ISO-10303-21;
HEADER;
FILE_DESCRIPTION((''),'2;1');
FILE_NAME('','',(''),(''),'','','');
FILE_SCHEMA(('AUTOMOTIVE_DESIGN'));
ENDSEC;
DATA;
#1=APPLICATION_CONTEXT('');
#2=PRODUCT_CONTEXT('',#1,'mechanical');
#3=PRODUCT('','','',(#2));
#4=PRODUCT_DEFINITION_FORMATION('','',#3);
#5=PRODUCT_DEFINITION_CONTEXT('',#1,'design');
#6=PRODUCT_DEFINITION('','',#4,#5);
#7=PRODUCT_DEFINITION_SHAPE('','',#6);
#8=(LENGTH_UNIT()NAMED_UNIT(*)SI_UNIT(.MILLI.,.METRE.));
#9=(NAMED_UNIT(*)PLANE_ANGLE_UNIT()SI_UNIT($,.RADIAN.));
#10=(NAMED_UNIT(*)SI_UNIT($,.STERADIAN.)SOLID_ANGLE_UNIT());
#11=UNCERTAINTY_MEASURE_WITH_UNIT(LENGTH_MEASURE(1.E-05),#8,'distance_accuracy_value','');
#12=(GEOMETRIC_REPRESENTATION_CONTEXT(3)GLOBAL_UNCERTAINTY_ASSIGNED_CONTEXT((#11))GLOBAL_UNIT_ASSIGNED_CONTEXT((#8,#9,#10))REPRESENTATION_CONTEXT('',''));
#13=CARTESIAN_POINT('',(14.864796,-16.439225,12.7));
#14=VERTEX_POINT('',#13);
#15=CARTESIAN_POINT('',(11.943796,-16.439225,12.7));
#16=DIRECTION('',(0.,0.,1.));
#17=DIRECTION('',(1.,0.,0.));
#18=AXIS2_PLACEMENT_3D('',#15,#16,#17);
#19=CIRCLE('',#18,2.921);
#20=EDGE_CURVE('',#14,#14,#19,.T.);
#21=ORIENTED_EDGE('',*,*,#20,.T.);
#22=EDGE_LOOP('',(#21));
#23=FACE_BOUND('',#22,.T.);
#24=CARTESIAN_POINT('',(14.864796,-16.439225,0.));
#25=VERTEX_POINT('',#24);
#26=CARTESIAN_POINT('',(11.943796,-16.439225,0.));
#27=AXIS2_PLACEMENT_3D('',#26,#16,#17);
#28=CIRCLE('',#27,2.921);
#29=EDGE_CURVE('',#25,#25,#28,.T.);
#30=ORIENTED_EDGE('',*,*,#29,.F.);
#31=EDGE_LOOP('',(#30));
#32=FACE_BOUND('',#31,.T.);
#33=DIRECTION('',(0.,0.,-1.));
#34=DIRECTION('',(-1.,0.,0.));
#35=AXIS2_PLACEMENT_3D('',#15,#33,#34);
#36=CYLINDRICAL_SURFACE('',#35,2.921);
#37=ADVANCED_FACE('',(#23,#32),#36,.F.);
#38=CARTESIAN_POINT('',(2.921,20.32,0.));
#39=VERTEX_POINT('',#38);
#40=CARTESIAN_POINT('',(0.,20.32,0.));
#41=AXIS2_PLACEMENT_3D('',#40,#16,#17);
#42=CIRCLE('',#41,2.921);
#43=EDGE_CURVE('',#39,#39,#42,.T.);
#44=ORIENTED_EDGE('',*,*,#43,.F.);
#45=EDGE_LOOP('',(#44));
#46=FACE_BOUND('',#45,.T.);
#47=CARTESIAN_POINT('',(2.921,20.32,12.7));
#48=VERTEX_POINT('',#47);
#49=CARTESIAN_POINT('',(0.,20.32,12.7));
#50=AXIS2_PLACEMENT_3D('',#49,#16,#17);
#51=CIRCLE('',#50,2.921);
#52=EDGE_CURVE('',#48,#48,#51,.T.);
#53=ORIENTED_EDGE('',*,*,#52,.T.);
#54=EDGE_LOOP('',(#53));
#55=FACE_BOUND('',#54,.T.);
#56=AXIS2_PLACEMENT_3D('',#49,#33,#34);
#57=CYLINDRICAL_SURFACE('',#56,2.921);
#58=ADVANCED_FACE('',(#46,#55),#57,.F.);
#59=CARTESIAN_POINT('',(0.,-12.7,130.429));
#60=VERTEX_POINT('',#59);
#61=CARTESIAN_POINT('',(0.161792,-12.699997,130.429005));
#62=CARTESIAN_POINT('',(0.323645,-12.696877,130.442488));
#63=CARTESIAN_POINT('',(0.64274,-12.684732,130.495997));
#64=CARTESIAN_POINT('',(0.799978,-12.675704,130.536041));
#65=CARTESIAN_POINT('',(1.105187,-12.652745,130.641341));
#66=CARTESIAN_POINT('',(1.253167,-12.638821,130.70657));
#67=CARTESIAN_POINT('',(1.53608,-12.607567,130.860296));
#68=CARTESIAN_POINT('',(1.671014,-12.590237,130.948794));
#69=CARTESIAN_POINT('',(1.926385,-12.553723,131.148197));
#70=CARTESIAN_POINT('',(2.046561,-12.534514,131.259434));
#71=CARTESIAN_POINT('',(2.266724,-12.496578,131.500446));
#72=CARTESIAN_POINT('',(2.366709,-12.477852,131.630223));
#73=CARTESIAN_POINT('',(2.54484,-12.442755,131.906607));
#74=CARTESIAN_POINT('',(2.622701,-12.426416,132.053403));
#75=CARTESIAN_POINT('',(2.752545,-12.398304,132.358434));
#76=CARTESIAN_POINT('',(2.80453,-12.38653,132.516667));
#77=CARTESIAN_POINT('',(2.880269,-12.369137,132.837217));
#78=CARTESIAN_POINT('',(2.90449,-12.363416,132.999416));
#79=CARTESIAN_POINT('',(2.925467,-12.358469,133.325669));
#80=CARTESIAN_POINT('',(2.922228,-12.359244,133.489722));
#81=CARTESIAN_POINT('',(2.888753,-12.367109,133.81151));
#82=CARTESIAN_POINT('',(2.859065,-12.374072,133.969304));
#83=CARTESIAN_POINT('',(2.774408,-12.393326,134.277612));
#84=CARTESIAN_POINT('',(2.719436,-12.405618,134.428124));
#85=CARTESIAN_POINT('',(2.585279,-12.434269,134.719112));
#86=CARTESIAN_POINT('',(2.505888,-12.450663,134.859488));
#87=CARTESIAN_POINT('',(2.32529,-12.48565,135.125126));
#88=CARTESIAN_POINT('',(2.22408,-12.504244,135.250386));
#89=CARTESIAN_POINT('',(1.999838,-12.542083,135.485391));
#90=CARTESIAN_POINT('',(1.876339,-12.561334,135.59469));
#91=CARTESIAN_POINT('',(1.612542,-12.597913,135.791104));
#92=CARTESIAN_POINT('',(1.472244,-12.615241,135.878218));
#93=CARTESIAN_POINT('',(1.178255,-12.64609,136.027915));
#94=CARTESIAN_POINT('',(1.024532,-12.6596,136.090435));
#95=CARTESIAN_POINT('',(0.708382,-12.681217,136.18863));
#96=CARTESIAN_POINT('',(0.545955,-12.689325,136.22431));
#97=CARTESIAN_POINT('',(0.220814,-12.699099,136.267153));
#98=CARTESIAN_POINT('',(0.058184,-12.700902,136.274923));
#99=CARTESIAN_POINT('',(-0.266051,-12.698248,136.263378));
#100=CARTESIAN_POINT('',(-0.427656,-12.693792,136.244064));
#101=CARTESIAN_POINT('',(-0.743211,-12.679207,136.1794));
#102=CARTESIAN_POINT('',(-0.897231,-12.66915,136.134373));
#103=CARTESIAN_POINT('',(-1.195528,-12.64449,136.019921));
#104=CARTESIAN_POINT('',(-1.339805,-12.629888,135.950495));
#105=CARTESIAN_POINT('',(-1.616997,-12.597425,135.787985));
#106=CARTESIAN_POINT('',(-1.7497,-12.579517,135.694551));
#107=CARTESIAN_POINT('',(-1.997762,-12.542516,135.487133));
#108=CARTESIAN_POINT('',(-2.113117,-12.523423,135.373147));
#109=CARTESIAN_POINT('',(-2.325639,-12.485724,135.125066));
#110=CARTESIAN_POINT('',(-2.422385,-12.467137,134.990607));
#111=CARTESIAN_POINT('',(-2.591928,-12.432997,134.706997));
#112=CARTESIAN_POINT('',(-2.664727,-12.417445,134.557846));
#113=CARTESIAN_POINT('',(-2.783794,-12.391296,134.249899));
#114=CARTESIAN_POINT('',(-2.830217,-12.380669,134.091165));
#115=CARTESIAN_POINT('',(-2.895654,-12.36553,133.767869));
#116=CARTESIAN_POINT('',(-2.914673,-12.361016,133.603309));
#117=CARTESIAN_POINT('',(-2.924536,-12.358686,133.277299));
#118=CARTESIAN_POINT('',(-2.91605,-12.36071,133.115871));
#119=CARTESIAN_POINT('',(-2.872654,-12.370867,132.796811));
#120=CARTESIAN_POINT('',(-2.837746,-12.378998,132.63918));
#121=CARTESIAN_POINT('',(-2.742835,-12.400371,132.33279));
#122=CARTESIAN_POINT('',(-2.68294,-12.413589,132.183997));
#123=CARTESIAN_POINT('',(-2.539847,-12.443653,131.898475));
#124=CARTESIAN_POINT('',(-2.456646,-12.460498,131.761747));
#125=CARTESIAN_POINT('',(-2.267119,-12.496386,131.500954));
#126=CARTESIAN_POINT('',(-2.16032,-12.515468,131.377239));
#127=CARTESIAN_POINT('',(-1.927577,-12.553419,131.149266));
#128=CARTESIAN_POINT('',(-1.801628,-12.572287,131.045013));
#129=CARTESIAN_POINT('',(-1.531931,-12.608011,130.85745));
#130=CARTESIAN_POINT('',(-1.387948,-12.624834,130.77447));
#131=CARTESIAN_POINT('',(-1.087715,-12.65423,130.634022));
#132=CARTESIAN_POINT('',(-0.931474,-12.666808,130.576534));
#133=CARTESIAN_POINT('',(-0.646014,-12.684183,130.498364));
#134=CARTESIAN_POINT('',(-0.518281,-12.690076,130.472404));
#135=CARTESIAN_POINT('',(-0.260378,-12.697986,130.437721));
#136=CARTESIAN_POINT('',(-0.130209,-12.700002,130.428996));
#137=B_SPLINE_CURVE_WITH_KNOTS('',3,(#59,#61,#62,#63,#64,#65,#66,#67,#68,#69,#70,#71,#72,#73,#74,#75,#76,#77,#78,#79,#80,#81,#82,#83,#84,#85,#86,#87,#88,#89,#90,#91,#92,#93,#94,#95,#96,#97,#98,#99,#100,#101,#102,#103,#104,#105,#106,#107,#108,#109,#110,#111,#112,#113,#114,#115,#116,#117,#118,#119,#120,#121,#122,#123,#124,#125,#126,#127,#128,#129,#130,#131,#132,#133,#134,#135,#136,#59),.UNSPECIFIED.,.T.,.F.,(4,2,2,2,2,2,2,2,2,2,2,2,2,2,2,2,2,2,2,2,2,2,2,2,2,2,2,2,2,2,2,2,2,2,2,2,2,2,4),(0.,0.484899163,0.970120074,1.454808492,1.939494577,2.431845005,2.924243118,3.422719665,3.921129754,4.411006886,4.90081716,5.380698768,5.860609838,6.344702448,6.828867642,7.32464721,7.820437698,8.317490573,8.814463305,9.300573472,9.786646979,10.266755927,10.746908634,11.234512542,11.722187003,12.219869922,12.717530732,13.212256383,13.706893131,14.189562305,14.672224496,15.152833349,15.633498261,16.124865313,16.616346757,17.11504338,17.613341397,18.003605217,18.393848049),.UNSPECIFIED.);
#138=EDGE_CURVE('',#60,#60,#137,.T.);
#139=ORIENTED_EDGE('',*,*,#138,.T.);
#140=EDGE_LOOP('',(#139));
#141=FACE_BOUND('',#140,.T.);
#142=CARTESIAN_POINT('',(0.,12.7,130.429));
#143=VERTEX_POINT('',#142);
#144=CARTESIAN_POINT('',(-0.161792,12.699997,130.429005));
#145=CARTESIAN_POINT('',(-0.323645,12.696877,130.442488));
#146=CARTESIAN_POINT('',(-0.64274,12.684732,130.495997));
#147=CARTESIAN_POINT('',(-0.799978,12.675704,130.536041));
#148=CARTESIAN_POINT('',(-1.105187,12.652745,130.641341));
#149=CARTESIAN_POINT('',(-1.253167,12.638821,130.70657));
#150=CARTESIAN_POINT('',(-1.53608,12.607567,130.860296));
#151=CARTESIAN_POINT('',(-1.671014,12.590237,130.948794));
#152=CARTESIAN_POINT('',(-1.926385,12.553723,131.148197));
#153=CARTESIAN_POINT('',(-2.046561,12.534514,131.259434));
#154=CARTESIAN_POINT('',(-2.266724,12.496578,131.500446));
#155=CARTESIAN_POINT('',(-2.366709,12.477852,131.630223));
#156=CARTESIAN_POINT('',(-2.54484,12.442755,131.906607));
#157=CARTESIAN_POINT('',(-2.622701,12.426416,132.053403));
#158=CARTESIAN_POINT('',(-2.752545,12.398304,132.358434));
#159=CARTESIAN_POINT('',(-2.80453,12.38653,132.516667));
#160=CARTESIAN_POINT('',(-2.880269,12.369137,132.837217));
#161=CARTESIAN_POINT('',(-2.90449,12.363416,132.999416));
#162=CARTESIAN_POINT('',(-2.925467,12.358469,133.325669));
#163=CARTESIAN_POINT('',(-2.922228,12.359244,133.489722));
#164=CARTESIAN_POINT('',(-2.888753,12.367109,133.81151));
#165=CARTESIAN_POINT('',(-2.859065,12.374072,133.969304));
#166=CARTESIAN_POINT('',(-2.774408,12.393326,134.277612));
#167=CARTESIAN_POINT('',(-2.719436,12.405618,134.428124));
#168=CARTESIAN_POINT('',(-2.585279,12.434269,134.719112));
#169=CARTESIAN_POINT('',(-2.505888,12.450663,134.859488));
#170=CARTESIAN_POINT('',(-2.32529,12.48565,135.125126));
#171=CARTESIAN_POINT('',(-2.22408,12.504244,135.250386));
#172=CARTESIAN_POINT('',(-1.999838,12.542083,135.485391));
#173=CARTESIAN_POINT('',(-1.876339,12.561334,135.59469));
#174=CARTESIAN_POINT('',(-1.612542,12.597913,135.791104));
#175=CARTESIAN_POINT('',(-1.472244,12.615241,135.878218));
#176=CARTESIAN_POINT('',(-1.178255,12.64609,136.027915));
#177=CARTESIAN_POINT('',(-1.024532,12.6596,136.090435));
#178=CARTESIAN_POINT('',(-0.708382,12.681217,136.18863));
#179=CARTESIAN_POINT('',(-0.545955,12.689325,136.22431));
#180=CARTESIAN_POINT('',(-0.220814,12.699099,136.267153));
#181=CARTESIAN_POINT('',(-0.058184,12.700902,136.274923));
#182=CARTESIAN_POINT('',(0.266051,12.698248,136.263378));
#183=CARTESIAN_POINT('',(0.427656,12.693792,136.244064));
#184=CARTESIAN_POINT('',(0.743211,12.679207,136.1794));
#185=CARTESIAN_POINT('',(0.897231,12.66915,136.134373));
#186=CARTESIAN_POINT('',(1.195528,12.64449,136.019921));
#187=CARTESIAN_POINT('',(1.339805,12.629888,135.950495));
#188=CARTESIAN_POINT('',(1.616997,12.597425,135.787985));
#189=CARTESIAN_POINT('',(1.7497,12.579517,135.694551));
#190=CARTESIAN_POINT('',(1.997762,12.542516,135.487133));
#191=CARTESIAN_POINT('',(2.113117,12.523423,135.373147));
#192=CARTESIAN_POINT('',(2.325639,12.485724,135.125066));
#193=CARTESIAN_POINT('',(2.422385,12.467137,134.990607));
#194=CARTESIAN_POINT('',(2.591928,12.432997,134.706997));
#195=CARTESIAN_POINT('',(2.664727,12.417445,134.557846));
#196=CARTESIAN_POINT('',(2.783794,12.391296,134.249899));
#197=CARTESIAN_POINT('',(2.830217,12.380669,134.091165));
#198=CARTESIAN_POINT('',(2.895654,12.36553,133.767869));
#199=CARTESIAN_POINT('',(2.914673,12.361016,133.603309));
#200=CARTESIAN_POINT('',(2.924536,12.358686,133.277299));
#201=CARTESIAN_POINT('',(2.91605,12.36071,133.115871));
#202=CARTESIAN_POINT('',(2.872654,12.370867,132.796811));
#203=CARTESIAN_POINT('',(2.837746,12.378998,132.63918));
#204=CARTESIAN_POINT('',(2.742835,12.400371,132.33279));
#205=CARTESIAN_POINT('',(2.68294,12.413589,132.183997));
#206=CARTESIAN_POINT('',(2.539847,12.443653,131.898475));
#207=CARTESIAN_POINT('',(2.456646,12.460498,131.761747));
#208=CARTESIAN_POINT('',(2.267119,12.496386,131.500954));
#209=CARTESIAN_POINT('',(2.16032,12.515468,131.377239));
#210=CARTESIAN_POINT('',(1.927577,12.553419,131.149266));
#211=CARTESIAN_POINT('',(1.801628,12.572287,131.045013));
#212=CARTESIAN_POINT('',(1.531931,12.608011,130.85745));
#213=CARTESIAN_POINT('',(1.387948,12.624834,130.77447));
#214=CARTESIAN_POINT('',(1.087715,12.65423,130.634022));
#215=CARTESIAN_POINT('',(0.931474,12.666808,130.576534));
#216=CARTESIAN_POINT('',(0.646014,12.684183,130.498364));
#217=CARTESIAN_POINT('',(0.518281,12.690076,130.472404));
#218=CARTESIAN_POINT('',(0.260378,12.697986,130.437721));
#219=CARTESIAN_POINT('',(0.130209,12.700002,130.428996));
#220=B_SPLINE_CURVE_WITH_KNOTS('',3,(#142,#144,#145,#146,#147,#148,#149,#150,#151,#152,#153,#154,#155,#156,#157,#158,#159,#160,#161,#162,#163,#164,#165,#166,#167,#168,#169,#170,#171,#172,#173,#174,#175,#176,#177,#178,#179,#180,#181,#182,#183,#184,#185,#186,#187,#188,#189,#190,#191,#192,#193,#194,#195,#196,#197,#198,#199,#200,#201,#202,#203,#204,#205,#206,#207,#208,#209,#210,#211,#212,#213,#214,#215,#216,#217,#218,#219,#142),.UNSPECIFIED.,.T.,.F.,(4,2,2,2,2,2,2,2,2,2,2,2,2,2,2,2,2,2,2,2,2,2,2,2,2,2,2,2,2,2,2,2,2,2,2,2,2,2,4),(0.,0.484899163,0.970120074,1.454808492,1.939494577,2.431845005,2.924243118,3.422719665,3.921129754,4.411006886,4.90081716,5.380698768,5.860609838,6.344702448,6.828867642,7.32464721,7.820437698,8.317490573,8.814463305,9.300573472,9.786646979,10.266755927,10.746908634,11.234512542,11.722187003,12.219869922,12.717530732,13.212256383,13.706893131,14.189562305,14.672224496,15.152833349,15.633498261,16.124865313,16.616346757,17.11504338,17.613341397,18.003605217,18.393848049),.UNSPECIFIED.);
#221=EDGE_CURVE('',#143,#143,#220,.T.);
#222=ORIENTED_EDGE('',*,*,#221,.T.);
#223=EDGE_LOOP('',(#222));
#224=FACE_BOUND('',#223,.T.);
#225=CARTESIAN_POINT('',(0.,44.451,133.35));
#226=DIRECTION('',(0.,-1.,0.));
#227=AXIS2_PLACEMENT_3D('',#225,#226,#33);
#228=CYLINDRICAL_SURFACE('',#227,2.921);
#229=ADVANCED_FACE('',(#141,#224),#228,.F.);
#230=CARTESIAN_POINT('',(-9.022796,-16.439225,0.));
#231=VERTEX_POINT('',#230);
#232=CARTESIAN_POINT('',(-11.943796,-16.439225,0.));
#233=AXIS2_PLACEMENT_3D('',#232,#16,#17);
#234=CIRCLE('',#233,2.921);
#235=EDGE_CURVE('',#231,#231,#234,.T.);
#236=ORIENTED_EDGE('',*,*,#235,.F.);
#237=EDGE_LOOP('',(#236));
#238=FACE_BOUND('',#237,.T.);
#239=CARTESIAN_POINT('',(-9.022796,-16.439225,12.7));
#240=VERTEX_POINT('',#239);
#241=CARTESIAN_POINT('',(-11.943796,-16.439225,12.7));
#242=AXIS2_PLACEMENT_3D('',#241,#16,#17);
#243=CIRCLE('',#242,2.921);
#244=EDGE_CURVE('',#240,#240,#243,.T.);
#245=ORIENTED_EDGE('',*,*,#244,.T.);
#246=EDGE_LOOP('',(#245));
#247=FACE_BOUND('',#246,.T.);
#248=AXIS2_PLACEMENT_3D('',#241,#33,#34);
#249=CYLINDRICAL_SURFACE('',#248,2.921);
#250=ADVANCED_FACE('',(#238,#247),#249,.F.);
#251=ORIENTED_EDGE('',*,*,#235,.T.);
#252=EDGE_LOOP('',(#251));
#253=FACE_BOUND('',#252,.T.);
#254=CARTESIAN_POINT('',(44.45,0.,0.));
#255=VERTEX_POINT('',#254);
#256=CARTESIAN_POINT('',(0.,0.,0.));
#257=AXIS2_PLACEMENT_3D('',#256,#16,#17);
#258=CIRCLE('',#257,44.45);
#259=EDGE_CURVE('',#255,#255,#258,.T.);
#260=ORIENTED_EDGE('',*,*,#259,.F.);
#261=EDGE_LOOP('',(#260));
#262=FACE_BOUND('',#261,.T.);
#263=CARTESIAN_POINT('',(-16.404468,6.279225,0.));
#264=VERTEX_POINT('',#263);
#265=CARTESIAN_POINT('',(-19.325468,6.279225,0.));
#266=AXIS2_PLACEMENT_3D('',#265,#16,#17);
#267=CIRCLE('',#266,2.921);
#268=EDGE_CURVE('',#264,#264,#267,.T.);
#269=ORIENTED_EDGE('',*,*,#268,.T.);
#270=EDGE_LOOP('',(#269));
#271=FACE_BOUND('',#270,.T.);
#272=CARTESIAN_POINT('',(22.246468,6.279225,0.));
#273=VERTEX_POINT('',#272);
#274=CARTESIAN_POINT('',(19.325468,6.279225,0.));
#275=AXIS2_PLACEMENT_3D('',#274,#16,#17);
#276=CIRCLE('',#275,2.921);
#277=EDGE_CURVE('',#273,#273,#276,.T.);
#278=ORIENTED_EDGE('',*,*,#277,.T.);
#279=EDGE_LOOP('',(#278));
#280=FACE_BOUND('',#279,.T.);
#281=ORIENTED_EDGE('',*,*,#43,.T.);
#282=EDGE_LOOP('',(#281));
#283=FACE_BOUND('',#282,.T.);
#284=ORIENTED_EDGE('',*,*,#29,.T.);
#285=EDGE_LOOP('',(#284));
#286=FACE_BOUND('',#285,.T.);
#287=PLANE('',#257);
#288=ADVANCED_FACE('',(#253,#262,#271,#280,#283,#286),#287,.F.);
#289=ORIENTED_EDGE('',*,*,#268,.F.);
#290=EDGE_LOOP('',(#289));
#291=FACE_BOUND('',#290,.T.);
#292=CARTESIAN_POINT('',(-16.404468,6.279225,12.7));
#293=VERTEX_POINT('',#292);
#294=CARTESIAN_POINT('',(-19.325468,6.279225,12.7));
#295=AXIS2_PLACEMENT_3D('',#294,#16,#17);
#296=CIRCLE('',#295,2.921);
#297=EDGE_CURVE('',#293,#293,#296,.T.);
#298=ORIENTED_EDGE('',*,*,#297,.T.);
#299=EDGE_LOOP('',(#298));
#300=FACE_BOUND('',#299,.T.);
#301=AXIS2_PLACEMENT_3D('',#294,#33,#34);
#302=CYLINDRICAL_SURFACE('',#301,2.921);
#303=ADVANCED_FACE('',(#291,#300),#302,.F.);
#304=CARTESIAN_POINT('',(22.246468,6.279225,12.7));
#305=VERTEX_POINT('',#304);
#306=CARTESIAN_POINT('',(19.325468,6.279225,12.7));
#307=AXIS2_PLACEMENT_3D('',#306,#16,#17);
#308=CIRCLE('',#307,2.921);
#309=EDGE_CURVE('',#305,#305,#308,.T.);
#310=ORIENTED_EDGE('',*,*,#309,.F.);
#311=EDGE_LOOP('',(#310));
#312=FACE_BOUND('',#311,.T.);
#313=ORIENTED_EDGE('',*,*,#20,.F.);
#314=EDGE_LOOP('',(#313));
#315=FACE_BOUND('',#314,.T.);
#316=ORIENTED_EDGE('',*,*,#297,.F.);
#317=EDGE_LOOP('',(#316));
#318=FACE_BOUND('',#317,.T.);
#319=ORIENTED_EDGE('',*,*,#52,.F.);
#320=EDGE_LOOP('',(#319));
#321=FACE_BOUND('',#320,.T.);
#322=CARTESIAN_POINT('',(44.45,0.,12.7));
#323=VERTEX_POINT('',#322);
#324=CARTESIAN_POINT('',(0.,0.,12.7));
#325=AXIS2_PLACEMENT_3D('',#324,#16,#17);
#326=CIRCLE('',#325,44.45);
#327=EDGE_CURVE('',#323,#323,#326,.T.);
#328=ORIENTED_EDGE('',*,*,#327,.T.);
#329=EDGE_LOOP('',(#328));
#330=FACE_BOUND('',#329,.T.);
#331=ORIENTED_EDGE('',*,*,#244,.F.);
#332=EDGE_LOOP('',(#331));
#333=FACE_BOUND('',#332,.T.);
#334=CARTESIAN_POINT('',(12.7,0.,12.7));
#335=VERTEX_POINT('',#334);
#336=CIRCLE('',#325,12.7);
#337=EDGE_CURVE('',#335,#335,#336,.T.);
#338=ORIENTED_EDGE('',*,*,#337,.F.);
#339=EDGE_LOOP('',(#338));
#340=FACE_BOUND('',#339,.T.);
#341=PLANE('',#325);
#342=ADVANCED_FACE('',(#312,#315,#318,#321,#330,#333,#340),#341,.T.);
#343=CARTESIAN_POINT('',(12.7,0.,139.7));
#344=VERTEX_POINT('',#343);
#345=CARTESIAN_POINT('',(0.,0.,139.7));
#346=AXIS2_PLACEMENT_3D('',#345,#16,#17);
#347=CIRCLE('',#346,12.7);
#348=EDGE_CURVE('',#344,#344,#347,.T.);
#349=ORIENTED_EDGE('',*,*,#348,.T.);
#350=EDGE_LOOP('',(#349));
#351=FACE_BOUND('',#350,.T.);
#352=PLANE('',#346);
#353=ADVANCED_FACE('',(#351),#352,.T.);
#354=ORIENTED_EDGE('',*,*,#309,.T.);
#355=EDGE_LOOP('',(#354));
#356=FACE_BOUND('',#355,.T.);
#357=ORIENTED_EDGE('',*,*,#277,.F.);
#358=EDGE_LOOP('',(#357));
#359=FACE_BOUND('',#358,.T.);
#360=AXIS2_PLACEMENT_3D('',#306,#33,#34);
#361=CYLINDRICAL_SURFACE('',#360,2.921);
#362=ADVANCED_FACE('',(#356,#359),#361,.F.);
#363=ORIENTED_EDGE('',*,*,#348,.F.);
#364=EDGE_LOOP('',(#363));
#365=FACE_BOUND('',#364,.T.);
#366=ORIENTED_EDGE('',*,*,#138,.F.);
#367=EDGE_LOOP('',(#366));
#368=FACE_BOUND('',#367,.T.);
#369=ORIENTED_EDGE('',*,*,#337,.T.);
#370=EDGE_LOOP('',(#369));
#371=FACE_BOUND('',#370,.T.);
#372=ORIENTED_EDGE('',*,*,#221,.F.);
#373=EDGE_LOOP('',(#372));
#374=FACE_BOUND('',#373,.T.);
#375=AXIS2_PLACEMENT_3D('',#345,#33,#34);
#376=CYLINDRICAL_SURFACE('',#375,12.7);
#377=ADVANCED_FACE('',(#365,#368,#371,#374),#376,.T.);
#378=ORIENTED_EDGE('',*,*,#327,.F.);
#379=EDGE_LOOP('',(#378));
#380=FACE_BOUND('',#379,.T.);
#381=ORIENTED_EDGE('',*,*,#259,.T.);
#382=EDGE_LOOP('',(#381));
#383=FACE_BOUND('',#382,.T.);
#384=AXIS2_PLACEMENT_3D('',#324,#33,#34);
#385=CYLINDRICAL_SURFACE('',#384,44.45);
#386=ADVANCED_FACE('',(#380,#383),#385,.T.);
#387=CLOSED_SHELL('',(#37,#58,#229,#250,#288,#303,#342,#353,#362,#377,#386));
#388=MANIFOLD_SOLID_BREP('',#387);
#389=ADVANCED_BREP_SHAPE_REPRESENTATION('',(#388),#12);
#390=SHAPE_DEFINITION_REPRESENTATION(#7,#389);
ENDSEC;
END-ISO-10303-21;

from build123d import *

# Parameters (mm, degrees)
SKETCH1_R           = 44.45
SKETCH1_R_2         = 2.921
BOSS_EXTRUDE1_DEPTH = 12.7
SKETCH2_R           = 12.7
BOSS_EXTRUDE2_DEPTH = 127
CUT_EXTRUDE1_REACH  = 159.347
SKETCH4_R           = 2.921


with BuildPart() as part:
    # Sketch1 → Boss-Extrude1 (new body)
    with BuildSketch(Plane.XY):
        Circle(SKETCH1_R)
        with Locations((0, 20.32)):
            Circle(SKETCH1_R_2, mode=Mode.SUBTRACT)
        with Locations((19.325468411, 6.279225326)):
            Circle(SKETCH1_R_2, mode=Mode.SUBTRACT)
        with Locations((11.943796327, -16.439225326)):
            Circle(SKETCH1_R_2, mode=Mode.SUBTRACT)
        with Locations((-11.943796327, -16.439225326)):
            Circle(SKETCH1_R_2, mode=Mode.SUBTRACT)
        with Locations((-19.325468411, 6.279225326)):
            Circle(SKETCH1_R_2, mode=Mode.SUBTRACT)
    extrude(amount=BOSS_EXTRUDE1_DEPTH)

    # Sketch2 → Boss-Extrude2 (add)
    with BuildSketch(Plane.XY.offset(12.7)):
        Circle(SKETCH2_R)
    extrude(amount=BOSS_EXTRUDE2_DEPTH)

    # Sketch4 → Cut-Extrude1 (cut, up to next)
    with BuildSketch(Plane(origin=(0, -12.7, 0), x_dir=(-1, 0, 0), z_dir=(0, -1, 0)), mode=Mode.PRIVATE) as cut_extrude1_sk1:
        with Locations(Location((0, -133.35, 0), (0, 0, 90))):
            Circle(SKETCH4_R)
    cut_extrude1_tool1 = extrude(cut_extrude1_sk1.sketch, amount=-CUT_EXTRUDE1_REACH, mode=Mode.PRIVATE) & part.part
    add(cut_extrude1_tool1.solids().sort_by_distance((0, -12.7, 133.35))[0], mode=Mode.SUBTRACT)


solid = part.part
